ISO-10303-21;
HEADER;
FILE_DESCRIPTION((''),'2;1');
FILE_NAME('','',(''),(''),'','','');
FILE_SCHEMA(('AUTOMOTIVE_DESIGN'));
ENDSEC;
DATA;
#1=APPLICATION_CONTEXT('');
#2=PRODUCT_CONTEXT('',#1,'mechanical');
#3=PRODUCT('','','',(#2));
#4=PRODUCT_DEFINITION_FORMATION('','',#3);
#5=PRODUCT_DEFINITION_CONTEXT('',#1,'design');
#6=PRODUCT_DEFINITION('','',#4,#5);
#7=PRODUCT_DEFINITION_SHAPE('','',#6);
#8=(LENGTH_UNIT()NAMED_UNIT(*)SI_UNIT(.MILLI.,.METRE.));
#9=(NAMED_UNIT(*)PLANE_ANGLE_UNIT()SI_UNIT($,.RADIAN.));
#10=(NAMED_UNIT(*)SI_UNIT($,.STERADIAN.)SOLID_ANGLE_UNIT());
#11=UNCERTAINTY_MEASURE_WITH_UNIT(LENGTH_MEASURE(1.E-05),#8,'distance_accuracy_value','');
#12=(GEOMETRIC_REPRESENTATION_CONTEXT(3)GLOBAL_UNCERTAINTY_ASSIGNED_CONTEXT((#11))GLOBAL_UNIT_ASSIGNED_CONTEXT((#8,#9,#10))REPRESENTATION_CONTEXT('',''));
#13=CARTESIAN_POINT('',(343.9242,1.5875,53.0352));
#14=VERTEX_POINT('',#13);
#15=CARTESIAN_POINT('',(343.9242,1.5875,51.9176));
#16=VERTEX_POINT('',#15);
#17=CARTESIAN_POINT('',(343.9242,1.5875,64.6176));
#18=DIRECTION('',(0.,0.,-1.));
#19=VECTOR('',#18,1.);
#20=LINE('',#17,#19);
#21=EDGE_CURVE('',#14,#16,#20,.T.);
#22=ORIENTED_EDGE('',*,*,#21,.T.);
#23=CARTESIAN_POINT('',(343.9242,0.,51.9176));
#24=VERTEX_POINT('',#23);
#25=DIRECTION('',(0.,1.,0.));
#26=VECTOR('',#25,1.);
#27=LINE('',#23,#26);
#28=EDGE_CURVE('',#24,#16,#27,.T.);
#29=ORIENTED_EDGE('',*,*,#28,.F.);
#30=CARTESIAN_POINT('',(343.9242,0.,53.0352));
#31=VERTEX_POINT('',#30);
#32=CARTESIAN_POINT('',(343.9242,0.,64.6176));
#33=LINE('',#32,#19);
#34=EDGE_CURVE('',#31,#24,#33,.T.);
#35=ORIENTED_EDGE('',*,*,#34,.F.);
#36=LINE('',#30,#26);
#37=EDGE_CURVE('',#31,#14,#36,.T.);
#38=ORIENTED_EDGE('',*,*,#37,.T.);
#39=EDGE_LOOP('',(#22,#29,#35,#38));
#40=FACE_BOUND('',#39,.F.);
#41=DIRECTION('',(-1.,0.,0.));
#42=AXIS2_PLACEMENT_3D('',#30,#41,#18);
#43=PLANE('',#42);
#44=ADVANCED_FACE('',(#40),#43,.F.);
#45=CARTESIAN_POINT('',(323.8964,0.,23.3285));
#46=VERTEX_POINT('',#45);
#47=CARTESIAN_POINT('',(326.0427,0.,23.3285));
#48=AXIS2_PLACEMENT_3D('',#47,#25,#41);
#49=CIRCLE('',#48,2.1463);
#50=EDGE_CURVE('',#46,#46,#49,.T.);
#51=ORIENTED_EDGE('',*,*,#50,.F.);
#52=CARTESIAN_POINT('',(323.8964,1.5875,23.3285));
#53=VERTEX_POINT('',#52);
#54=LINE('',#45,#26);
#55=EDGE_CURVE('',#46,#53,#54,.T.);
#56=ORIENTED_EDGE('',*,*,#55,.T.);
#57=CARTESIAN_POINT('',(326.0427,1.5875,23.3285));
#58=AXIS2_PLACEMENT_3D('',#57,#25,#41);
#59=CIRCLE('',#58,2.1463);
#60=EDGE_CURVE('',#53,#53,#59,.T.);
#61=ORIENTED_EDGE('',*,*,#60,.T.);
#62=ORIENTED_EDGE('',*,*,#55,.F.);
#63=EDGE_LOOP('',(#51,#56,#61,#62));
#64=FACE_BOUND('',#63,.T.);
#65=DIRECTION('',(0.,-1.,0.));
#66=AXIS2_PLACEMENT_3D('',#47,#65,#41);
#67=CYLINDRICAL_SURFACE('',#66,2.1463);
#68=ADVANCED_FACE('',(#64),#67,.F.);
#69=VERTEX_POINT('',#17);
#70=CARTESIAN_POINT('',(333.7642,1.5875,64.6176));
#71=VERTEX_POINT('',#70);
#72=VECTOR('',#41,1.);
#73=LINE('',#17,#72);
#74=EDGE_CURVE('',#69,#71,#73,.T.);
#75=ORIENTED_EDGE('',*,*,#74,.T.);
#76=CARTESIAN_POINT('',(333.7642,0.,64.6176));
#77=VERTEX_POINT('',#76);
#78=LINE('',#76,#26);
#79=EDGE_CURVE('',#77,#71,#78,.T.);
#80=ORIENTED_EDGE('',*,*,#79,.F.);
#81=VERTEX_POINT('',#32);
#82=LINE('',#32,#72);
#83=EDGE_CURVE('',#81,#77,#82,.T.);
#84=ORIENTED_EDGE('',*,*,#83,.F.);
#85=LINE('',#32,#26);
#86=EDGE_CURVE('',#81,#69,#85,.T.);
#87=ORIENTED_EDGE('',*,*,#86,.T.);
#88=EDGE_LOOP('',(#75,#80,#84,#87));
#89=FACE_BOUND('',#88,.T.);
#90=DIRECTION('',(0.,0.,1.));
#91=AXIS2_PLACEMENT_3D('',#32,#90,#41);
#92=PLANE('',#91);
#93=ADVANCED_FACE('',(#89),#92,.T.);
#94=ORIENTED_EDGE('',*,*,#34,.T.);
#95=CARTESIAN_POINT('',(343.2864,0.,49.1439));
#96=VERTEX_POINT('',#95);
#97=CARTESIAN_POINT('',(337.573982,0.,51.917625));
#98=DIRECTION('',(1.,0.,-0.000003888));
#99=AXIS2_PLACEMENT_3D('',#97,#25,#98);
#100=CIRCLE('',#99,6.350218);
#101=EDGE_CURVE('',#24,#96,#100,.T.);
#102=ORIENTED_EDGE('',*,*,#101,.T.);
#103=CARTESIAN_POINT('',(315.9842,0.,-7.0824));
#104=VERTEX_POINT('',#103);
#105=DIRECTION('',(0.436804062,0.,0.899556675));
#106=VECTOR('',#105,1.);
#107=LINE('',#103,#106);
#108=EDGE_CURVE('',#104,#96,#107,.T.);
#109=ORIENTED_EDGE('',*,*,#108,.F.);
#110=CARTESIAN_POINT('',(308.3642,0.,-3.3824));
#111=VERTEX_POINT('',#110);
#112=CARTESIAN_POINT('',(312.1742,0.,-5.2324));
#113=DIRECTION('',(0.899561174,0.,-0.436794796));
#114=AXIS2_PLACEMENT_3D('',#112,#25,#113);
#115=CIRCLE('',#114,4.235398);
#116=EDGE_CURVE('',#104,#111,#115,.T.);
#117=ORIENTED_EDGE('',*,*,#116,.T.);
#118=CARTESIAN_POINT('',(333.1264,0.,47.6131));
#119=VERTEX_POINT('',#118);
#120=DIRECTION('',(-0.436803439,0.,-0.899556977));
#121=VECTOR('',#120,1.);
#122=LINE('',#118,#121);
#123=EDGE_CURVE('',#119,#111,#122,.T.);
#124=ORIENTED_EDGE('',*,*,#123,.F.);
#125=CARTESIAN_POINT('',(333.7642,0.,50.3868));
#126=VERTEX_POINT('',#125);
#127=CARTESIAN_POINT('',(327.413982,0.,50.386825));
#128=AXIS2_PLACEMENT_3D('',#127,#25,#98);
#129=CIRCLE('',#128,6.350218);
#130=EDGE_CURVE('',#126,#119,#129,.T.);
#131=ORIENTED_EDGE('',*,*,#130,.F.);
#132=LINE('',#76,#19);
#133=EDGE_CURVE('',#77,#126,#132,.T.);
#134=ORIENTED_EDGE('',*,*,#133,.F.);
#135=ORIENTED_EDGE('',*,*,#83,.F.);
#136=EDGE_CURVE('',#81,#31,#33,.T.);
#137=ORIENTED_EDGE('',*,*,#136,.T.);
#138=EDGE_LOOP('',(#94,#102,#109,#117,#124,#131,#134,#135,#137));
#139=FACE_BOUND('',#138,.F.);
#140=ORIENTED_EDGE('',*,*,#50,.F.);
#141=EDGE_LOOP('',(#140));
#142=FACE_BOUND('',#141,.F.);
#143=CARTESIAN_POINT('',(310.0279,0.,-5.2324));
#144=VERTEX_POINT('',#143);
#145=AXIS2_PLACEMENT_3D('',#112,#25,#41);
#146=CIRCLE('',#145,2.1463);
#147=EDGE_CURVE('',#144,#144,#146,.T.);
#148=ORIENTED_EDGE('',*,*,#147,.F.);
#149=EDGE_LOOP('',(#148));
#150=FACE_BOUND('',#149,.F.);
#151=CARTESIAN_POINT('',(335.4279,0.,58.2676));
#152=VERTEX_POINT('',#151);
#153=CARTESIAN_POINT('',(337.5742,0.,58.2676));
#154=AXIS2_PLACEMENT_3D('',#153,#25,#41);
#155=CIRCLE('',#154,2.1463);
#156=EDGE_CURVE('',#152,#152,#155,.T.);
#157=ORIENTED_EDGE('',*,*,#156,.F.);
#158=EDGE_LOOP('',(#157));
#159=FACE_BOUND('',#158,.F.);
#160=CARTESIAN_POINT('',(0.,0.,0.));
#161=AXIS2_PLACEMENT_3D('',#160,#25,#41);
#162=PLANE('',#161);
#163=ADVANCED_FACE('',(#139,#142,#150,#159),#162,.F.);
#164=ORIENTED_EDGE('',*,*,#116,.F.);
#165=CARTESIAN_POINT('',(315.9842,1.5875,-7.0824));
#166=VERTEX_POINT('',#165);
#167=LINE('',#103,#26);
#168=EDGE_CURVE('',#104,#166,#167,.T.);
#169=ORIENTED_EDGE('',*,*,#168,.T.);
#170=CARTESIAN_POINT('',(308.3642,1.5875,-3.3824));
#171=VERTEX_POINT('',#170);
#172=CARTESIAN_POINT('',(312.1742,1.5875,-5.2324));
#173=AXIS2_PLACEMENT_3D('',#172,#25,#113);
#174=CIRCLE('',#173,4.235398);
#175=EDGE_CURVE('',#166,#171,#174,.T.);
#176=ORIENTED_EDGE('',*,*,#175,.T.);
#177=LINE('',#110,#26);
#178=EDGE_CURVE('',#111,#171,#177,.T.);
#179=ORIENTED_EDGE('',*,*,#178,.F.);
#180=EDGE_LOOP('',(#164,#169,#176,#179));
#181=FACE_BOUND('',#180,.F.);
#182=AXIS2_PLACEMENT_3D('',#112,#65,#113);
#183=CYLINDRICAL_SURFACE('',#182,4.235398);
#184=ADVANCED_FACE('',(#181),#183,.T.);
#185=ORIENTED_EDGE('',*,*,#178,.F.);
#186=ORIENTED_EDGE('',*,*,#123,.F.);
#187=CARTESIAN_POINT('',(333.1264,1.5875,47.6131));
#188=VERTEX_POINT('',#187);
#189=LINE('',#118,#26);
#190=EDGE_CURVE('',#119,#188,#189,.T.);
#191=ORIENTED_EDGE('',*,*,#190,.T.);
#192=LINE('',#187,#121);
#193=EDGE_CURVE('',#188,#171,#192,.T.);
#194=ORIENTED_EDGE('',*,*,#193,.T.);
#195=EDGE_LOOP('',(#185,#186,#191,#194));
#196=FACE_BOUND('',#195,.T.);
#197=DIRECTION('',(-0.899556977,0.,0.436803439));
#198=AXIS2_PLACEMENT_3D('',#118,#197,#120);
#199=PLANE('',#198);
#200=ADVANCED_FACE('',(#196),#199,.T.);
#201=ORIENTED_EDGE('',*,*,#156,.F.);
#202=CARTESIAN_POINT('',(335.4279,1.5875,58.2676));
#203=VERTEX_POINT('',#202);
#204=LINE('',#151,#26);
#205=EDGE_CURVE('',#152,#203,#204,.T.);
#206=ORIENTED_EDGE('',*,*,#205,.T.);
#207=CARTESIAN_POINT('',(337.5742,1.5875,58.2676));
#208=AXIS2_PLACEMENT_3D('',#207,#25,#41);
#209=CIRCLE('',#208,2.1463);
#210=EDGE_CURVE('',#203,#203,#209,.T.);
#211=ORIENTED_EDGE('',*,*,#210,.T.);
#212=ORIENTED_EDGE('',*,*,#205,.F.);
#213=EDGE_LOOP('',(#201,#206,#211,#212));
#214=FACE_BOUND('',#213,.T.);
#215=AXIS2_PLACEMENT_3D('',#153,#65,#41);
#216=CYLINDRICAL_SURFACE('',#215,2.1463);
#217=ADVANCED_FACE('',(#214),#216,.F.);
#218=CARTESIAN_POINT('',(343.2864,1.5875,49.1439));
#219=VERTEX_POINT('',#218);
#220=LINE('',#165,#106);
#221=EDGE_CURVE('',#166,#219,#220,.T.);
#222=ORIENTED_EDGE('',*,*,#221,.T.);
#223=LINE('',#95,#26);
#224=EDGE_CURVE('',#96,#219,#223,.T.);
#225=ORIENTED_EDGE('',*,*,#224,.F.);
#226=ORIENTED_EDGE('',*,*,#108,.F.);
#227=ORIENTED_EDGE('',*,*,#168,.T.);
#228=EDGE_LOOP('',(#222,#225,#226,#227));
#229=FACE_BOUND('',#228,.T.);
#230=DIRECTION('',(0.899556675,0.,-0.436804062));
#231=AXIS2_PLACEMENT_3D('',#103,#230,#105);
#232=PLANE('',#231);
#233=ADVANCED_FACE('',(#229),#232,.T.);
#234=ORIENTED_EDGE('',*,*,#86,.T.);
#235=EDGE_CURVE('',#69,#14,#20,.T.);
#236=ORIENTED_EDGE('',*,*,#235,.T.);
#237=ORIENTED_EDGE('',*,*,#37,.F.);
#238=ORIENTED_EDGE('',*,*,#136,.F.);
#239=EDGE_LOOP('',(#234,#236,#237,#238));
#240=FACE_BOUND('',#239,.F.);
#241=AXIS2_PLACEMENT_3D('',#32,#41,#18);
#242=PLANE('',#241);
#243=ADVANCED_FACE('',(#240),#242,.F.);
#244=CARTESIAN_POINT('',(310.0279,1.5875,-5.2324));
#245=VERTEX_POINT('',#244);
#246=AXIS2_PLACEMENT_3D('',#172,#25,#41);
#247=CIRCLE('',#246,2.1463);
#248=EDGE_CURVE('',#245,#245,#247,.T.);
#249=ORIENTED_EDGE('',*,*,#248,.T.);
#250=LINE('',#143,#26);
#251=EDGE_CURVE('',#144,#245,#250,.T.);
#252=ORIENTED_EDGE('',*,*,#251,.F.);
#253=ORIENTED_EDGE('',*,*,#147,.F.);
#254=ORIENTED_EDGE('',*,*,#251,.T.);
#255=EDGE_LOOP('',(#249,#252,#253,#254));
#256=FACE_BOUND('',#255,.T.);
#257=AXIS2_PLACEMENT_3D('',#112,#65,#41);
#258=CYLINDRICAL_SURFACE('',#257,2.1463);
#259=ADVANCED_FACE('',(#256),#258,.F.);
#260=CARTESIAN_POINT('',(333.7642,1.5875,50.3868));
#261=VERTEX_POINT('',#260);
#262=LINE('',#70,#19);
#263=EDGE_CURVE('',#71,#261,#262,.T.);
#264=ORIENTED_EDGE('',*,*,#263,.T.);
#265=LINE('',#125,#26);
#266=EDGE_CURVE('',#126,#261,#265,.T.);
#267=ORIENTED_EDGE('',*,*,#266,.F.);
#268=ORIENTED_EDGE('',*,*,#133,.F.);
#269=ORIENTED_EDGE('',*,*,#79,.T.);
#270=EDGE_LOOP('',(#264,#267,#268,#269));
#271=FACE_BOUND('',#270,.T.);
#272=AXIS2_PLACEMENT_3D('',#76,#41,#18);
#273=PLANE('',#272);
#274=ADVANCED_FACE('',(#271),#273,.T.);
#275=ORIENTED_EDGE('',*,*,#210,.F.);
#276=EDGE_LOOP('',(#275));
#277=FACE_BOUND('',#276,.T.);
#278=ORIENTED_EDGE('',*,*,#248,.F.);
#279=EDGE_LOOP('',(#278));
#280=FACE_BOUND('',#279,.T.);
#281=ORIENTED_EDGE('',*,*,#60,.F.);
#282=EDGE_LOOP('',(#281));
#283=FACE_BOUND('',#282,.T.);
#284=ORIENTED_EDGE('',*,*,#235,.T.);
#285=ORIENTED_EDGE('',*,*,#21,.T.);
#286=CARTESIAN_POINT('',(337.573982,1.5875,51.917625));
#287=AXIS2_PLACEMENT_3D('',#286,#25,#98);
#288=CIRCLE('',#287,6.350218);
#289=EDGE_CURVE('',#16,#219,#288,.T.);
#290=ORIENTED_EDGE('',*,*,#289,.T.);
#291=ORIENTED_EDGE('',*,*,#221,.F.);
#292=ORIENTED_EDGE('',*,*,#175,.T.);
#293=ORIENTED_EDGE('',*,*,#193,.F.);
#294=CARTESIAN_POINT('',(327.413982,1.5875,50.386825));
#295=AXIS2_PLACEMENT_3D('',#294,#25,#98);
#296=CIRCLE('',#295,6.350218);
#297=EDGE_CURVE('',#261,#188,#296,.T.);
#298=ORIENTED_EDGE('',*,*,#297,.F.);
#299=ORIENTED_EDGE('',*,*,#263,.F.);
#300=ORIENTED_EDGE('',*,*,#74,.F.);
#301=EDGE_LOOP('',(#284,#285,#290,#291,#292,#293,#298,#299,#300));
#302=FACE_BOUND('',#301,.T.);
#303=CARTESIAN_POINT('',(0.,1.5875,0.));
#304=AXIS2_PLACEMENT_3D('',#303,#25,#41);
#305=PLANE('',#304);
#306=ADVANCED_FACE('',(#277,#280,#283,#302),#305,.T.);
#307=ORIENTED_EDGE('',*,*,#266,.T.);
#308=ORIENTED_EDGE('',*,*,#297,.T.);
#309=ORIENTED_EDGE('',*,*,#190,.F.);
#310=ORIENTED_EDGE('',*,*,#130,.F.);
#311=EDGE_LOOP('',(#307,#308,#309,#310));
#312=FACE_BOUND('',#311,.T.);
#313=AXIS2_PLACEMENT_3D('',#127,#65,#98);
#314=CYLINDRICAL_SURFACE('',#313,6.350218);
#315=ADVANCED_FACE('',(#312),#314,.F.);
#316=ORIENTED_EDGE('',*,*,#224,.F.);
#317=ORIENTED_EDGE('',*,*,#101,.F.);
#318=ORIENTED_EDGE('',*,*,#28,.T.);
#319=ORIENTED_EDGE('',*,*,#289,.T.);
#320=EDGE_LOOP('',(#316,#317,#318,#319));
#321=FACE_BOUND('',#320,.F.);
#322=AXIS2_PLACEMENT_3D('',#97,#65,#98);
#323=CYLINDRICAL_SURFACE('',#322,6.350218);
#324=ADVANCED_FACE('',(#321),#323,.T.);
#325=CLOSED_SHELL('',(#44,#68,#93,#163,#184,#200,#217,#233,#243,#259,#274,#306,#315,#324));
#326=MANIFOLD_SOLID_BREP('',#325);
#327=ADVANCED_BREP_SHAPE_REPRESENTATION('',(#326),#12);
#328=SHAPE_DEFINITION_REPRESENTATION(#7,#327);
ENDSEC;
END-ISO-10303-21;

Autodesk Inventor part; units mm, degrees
ref_plane "YZ Plane" through (0, 0, 0) normal (1, 0, 0) x (0, 1, 0)
ref_plane "XZ Plane" through (0, 0, 0) normal (0, 1, 0) x (-1, 0, 0)
ref_plane "XY Plane" through (0, 0, 0) normal (0, 0, 1) x (1, 0, 0)
sketch "Sketch2" plane through (0, 0, 0) normal (0, 1, 0) x (-1, 0, 0)
  arc A0 (-315.9842, -7.0824) -> (-308.3642, -3.3824) centre (-312.1742, -5.2324) ccw
  line L0 (-312.1742, -5.2324) -> (-308.3642, -3.3824) construction
  line L1 (-312.1742, -5.2324) -> (-315.9842, -7.0824) construction
  line L2 (-343.9242, 64.6176) -> (-343.9242, 51.9176)
  line L3 (-343.9242, 64.6176) -> (-343.9242, 53.0352)
  line L4 (-343.9242, 64.6176) -> (-333.7642, 64.6176)
  arc A1 (-343.9242, 51.9176) -> (-343.2864, 49.1439) centre (-337.5742, 51.9176) ccw
  line L5 (-315.9842, -7.0824) -> (-343.2864, 49.1439)
  line L6 (-333.7642, 64.6176) -> (-333.7642, 50.3868)
  arc A2 (-333.7642, 50.3868) -> (-333.1264, 47.6131) centre (-327.4142, 50.3868) ccw
  line L7 (-333.1264, 47.6131) -> (-308.3642, -3.3824)
  circle A3 centre (-337.5742, 58.2676) radius 2.1463
  circle A4 centre (-312.1742, -5.2324) radius 2.1463
  circle A5 centre (-326.0427, 23.3285) radius 2.1463
  point P0 (0, 0)
  dimension "d0" = 180
  dimension "d1" = 3.81
  dimension "d2" = 10.16
  dimension "d3" = 12.7
  dimension "d4" = 6.35
  dimension "d5" = 31.75
  dimension "d6" = 69.85
  dimension "d7" = 6.35
  dimension "d8" = 4.2926
  dimension "d9" = 4.2926
  dimension "d10" = 6.35
  dimension "d11" = 6.35
  dimension "d12" = 4.2926
  dimension "d13" = 31.75
  dimension "d14" = 4.2354
extrude "Extrusion1" add sketch "Sketch2" along normal blind 1.5875
properties part number "Front Guard"
